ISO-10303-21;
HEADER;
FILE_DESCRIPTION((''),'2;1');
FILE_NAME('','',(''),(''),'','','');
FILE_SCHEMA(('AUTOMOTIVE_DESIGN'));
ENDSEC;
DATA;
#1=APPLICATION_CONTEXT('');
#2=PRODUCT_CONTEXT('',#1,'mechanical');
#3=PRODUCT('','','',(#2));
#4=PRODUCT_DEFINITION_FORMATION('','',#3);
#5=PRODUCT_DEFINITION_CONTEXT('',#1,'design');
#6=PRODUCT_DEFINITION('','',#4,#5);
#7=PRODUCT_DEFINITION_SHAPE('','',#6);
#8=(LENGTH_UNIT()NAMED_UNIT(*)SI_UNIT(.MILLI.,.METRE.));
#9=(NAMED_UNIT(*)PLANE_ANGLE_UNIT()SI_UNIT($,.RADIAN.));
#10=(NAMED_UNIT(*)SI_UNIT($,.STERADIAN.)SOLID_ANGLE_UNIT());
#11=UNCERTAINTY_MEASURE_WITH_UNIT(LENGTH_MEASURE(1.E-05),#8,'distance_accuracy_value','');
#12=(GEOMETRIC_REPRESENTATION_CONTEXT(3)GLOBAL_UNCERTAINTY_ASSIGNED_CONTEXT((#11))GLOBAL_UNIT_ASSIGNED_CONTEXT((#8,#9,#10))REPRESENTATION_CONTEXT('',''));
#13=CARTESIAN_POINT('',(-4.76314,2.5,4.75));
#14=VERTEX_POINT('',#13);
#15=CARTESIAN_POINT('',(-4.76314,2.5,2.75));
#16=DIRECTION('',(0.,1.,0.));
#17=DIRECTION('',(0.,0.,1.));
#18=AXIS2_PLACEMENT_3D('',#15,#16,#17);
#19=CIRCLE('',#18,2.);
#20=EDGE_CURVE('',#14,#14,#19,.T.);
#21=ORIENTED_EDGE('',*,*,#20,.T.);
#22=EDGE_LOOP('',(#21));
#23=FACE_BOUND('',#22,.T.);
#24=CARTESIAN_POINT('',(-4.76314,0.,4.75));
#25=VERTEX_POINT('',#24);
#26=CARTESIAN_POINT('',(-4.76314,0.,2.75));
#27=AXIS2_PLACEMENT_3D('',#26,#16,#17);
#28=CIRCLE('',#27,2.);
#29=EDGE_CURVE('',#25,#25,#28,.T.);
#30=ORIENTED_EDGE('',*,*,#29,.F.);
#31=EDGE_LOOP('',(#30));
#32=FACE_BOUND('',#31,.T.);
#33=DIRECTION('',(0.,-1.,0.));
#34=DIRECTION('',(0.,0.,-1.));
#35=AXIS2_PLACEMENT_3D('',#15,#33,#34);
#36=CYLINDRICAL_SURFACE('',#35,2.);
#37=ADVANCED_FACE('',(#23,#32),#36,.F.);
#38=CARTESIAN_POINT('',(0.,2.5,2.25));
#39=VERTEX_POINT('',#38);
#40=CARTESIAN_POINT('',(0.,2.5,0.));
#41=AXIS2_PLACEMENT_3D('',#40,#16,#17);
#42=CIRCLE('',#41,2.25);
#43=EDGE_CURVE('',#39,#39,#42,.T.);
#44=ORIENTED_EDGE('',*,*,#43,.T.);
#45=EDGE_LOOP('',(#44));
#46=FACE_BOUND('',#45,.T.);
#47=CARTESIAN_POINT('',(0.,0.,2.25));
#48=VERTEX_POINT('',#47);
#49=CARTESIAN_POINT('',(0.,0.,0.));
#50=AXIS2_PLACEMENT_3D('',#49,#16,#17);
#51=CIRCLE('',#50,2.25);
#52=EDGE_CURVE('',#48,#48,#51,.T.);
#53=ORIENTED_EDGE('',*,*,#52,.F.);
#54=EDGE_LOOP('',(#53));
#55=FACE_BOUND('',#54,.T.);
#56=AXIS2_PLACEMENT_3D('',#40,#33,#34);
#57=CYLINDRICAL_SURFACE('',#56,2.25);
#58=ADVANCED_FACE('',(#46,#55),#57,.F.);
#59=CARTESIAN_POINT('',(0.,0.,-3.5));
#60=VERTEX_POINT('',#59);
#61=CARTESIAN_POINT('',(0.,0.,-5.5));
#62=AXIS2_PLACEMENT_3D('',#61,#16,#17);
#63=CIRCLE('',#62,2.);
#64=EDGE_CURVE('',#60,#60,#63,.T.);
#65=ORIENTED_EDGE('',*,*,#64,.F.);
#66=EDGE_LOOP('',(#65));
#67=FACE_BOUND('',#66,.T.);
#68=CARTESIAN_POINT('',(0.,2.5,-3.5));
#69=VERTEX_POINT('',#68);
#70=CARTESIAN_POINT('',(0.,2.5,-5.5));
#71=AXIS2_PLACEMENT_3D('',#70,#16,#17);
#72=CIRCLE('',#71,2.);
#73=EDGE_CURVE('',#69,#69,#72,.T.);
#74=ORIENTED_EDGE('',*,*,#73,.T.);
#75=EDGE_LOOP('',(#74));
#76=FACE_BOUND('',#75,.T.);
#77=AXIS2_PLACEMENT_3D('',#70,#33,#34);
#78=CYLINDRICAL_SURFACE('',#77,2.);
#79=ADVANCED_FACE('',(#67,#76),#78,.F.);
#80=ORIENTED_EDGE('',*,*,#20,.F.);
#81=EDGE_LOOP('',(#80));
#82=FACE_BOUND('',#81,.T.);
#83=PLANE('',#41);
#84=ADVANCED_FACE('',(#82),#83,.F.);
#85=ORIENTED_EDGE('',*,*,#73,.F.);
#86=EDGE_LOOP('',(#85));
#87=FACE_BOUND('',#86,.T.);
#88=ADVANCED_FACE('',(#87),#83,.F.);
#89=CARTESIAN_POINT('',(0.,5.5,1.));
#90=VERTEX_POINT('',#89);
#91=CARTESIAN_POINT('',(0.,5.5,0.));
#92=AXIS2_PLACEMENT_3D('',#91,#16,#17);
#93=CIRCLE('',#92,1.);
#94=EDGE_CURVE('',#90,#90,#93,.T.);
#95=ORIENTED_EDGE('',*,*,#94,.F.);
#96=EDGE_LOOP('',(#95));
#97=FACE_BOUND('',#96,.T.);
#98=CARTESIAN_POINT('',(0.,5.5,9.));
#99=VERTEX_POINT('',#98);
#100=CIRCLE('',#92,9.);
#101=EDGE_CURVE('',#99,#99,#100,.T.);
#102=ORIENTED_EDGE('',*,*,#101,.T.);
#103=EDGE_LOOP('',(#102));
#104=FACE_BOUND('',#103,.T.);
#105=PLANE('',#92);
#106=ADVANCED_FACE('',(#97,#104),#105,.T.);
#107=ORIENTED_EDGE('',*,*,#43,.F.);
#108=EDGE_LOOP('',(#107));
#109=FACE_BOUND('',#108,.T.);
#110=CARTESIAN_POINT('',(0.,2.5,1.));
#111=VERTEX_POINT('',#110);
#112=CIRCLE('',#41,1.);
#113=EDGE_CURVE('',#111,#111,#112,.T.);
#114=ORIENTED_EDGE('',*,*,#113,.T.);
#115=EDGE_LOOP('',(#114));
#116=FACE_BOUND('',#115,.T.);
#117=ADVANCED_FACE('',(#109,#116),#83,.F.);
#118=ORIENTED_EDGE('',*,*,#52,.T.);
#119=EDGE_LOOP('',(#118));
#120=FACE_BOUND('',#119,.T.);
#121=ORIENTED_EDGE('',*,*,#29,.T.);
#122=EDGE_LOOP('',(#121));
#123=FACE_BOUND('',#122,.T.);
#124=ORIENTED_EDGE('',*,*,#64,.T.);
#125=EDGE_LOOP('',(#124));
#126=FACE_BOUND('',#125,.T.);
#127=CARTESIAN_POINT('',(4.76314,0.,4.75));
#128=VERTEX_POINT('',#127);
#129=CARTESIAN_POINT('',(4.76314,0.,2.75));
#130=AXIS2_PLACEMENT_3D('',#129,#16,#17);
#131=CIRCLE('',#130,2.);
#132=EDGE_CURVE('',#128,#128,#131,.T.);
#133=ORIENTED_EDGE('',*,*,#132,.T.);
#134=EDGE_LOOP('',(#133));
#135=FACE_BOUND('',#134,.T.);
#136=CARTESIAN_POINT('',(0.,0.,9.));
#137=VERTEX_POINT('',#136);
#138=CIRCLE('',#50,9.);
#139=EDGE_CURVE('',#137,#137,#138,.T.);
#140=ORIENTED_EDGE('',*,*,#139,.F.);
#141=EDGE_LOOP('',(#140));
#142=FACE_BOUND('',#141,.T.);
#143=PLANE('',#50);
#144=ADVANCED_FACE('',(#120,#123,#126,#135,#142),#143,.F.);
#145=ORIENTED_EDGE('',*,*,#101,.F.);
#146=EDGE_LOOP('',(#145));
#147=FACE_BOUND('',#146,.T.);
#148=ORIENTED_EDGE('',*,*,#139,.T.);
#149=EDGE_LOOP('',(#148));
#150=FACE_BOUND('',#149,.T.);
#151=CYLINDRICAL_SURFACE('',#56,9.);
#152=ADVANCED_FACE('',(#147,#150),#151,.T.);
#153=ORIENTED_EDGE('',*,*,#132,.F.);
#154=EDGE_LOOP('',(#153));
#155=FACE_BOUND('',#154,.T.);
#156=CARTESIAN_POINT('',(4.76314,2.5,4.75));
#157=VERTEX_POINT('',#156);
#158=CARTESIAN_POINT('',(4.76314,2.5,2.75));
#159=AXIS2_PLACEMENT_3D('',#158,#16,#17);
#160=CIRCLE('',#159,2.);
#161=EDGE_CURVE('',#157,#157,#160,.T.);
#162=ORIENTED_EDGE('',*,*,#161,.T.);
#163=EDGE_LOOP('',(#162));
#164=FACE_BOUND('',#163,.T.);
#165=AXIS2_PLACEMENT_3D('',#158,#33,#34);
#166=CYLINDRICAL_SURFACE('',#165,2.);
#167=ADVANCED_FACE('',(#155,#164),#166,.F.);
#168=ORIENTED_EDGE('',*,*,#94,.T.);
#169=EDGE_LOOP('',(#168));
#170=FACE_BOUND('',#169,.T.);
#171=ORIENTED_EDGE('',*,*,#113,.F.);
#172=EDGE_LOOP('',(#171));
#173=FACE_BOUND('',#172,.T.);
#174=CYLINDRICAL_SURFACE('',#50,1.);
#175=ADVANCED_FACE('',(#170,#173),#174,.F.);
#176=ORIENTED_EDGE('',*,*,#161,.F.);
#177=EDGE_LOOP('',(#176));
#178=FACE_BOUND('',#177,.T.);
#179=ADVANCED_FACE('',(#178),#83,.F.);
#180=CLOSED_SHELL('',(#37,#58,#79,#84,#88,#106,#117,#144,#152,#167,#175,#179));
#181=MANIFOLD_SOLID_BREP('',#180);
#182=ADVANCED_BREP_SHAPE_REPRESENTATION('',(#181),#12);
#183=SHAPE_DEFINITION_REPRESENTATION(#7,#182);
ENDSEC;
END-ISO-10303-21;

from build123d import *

# Parameters (mm, degrees)
SKETCH1_R           = 9
SKETCH1_R_2         = 2
SKETCH1_R_3         = 2.25
BOSS_EXTRUDE1_DEPTH = 2.5
SKETCH2_R           = 9
BOSS_EXTRUDE2_DEPTH = 3
SKETCH3_R           = 1
CUT_EXTRUDE1_DEPTH  = 6.5


with BuildPart() as part:
    # Sketch1 → Boss-Extrude1 (new body)
    with BuildSketch(Plane(origin=(0, 0, 0), x_dir=(1, 0, 0), z_dir=(0, 1, 0))):
        Circle(SKETCH1_R)
        with Locations((-4.763139721, -2.75)):
            Circle(SKETCH1_R_2, mode=Mode.SUBTRACT)
        with Locations((0, 5.5)):
            Circle(SKETCH1_R_2, mode=Mode.SUBTRACT)
        with Locations((4.763139721, -2.75)):
            Circle(SKETCH1_R_2, mode=Mode.SUBTRACT)
        Circle(SKETCH1_R_3, mode=Mode.SUBTRACT)
    extrude(amount=BOSS_EXTRUDE1_DEPTH)

    # Sketch2 → Boss-Extrude2 (add)
    with BuildSketch(Plane(origin=(0, 2.5, 0), x_dir=(1, 0, 0), z_dir=(0, 1, 0))):
        Circle(SKETCH2_R)
    extrude(amount=BOSS_EXTRUDE2_DEPTH)

    # Sketch3 → Cut-Extrude1 (cut, through all)
    with BuildSketch(Plane(origin=(0, 5.5, 0), x_dir=(1, 0, 0), z_dir=(0, 1, 0))):
        Circle(SKETCH3_R)
    extrude(amount=-CUT_EXTRUDE1_DEPTH, mode=Mode.SUBTRACT)


solid = part.part
